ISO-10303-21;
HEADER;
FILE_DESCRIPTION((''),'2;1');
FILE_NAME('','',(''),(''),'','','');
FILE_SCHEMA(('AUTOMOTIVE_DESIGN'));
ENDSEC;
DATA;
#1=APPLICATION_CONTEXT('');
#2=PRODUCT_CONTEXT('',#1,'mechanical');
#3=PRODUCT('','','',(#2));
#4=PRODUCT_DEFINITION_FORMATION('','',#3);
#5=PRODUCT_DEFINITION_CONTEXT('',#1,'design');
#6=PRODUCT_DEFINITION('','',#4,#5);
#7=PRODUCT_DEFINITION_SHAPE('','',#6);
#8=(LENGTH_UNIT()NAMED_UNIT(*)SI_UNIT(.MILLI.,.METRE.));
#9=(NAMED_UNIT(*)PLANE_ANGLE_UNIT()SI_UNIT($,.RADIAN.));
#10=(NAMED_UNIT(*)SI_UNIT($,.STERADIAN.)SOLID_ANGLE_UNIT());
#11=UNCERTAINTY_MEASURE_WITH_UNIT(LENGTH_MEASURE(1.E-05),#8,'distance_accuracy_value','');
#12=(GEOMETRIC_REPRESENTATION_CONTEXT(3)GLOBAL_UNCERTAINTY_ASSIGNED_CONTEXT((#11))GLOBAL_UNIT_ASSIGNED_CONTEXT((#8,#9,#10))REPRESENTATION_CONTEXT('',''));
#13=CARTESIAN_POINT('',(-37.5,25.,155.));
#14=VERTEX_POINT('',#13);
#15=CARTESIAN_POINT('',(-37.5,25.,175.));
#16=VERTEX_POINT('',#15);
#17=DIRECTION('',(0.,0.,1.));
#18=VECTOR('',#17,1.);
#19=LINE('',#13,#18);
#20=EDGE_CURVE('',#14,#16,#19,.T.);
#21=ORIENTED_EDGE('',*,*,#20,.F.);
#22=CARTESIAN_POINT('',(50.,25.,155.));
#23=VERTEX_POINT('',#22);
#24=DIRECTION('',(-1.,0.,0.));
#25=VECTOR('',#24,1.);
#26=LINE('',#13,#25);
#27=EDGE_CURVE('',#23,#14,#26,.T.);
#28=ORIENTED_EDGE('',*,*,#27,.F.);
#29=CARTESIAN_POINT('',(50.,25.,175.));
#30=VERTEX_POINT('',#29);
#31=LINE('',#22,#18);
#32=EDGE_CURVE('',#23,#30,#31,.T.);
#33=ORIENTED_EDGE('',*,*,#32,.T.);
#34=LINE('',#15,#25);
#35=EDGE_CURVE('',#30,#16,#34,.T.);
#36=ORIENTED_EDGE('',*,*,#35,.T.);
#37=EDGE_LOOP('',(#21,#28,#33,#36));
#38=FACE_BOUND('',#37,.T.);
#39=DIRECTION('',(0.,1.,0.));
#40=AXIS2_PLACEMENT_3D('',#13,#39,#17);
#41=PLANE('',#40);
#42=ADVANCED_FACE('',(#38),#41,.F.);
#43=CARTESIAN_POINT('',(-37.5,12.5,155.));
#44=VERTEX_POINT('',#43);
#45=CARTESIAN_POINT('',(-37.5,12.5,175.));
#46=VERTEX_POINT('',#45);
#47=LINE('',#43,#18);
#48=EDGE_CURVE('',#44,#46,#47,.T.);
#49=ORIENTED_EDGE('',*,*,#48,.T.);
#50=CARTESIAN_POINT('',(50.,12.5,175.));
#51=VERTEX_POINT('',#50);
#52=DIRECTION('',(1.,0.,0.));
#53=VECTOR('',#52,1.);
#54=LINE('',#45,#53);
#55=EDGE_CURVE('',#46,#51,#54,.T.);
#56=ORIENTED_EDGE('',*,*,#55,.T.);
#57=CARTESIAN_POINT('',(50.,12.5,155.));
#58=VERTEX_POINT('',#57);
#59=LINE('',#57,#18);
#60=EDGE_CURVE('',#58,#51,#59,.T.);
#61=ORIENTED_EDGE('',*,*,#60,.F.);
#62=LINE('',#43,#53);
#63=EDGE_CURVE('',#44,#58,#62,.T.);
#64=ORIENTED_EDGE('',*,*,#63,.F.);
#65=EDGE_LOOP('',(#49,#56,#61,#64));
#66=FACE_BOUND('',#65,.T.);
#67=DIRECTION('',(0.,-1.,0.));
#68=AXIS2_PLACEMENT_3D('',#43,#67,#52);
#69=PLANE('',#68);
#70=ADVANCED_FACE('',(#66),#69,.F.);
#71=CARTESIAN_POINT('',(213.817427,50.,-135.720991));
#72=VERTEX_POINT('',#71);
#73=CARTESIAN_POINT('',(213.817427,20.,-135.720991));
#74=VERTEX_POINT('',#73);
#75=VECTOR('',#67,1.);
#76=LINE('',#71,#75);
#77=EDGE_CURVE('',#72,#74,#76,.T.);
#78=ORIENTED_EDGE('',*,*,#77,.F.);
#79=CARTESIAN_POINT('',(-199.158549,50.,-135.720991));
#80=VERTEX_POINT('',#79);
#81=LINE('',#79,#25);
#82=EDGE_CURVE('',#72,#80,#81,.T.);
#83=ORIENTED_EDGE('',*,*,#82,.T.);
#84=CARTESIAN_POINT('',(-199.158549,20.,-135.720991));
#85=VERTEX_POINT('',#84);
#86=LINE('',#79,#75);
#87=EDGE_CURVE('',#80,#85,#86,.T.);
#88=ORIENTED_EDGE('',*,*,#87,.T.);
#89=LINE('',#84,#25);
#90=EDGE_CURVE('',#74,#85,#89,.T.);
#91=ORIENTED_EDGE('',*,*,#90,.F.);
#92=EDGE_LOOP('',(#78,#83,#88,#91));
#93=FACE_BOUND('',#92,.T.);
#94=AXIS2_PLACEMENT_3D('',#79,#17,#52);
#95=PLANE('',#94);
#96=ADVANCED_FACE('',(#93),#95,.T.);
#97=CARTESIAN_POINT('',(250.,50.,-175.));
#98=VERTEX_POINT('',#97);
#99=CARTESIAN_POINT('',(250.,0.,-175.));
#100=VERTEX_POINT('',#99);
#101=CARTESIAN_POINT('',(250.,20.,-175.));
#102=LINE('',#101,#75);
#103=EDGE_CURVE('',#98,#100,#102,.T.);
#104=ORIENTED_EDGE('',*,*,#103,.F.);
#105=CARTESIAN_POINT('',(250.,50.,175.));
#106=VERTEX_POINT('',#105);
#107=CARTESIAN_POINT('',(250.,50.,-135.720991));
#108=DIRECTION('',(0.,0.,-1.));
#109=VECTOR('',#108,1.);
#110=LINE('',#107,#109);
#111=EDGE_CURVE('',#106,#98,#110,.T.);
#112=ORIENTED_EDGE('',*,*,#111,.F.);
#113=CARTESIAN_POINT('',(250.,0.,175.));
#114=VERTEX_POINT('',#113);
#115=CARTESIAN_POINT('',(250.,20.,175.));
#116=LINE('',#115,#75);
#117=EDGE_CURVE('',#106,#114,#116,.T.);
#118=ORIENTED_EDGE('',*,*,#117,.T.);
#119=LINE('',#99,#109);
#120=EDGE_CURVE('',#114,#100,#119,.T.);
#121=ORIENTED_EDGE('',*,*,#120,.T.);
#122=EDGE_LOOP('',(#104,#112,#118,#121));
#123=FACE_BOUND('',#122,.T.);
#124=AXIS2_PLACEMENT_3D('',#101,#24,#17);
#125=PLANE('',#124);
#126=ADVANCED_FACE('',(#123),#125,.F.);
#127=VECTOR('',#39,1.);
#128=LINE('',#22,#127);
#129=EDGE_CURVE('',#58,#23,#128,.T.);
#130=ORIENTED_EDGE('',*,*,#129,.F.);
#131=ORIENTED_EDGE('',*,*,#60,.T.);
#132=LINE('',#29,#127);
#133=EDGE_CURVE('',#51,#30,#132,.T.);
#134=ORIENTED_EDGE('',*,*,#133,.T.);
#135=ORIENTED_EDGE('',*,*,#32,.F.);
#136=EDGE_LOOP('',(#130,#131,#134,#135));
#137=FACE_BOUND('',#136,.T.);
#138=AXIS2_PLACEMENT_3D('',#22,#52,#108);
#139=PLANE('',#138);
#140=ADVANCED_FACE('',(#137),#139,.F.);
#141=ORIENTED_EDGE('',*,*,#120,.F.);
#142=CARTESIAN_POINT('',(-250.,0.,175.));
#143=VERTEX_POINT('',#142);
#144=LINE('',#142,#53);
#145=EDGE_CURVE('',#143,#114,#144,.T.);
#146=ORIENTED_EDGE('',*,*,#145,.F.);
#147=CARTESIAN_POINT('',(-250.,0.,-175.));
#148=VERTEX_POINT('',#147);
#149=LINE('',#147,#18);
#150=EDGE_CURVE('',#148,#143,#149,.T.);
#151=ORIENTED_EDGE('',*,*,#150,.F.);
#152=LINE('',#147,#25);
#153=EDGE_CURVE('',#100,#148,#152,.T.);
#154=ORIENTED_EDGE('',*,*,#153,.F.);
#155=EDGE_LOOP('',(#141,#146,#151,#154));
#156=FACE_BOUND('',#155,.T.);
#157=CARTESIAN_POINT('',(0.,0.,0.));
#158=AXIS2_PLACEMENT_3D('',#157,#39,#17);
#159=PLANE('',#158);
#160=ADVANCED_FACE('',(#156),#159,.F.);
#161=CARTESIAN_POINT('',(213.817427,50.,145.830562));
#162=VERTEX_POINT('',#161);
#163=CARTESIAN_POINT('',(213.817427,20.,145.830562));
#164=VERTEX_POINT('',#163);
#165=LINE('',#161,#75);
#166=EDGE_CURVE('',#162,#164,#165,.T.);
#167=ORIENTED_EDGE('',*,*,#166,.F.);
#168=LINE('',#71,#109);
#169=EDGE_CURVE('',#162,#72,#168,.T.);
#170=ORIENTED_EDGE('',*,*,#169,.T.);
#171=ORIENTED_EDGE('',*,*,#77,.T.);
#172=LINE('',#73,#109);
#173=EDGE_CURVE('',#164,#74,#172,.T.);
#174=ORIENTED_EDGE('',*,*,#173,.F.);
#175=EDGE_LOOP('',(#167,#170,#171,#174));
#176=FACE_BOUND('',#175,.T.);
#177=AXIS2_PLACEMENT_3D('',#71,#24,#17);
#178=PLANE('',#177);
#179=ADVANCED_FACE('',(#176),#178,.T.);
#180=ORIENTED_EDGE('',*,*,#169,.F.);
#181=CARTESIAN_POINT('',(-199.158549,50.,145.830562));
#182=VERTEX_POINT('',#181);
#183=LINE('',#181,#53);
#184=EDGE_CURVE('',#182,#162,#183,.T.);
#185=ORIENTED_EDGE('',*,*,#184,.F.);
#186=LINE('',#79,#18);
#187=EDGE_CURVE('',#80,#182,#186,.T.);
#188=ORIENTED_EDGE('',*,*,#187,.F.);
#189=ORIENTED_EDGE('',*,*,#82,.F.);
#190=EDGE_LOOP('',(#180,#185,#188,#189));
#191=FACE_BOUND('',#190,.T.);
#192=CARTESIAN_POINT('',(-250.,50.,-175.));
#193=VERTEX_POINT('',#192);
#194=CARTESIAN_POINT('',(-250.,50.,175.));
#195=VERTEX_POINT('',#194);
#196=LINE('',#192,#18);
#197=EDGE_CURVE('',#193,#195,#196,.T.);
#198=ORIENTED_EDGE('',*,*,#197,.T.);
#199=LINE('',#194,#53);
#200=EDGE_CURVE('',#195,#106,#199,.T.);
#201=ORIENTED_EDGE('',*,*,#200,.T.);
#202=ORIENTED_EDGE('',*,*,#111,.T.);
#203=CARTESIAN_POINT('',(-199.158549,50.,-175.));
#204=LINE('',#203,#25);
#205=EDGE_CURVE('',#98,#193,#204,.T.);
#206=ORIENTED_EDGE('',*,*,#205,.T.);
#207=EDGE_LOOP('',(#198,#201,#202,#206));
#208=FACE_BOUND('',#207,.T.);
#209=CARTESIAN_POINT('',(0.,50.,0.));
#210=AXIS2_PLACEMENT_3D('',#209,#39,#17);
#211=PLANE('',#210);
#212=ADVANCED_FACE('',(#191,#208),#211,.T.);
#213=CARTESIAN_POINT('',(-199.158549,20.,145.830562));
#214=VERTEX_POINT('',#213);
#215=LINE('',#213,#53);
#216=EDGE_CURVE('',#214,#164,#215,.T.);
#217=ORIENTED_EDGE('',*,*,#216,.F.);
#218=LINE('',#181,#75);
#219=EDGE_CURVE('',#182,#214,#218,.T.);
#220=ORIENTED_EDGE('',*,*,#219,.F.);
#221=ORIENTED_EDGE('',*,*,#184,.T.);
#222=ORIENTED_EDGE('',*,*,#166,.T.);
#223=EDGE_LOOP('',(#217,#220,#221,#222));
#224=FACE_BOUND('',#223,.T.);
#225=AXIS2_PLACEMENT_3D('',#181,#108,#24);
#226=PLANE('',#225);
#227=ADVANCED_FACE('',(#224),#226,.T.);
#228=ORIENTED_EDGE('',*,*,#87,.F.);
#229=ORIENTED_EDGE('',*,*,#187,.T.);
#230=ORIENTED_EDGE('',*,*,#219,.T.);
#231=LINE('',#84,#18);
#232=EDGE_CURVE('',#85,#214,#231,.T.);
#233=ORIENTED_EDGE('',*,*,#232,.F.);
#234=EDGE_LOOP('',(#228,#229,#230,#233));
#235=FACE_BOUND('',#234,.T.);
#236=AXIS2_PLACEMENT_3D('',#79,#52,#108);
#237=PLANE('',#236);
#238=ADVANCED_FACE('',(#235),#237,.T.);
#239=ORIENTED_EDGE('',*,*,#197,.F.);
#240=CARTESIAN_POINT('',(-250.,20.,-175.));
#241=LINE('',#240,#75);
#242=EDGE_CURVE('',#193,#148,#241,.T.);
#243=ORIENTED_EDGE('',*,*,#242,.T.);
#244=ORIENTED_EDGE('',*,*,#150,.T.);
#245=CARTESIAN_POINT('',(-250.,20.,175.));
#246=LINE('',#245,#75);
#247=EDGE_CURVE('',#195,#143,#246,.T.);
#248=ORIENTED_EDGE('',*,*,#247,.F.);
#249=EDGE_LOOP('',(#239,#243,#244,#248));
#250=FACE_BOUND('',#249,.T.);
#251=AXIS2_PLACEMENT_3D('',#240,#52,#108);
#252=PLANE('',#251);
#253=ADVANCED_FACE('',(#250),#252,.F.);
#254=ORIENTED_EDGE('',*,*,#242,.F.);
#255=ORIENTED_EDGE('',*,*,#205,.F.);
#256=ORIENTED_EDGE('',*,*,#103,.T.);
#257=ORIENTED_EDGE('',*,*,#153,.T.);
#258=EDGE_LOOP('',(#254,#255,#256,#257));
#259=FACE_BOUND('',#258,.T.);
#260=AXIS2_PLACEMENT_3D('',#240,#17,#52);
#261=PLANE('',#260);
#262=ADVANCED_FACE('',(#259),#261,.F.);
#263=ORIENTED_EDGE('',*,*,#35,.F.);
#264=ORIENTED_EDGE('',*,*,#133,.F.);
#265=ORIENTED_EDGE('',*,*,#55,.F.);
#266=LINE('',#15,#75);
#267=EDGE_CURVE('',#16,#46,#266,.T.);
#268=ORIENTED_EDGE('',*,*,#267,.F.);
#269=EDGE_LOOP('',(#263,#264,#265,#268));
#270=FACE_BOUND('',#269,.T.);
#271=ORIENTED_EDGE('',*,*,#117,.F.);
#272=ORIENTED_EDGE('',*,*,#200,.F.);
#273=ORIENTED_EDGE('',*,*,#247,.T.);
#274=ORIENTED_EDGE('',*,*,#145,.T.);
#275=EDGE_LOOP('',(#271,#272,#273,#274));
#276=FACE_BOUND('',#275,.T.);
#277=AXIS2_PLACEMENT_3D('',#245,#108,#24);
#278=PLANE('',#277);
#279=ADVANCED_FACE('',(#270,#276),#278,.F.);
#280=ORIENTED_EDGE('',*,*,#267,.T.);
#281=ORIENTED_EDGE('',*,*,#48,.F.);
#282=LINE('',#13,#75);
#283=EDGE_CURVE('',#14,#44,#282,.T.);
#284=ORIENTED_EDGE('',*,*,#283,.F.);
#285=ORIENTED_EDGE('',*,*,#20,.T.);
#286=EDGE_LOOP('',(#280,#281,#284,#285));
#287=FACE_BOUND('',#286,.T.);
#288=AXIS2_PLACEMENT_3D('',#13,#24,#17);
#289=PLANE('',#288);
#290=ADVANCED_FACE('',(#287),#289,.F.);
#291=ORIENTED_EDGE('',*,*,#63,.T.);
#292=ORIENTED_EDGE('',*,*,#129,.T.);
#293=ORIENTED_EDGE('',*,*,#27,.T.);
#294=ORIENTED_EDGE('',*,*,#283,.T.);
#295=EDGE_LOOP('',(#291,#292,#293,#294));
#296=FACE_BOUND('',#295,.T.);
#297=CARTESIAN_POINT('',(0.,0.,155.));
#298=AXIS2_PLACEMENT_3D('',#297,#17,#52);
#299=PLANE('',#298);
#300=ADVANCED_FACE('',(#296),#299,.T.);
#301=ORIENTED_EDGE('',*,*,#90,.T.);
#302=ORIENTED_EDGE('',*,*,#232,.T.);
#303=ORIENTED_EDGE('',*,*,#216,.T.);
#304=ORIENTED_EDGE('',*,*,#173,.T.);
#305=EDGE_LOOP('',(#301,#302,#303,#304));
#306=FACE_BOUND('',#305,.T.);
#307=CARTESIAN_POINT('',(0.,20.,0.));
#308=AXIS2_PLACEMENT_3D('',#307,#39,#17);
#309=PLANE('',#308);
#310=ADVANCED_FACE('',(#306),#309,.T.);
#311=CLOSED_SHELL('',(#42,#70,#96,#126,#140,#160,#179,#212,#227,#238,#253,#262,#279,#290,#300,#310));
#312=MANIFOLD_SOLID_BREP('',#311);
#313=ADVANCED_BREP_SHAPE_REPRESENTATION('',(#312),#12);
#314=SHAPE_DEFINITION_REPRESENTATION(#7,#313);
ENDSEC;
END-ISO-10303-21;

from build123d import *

# Parameters (mm, degrees)
SKETCH1_W           = 500
SKETCH1_H           = 350
BOSS_EXTRUDE1_DEPTH = 20
SKETCH2_W           = 412.975976351
SKETCH2_H           = 281.551553033
BOSS_EXTRUDE2_DEPTH = 30
SKETCH3_W           = 87.5
SKETCH3_H           = 12.5
CUT_EXTRUDE2_DEPTH  = 20


with BuildPart() as part:
    # Sketch1 → Boss-Extrude1 (new body)
    with BuildSketch(Plane(origin=(0, 0, 0), x_dir=(1, 0, 0), z_dir=(0, 1, 0))):
        Rectangle(SKETCH1_W, SKETCH1_H)
    extrude(amount=BOSS_EXTRUDE1_DEPTH)

    # Sketch2 → Boss-Extrude2 (add)
    with BuildSketch(Plane(origin=(0, 20, 0), x_dir=(1, 0, 0), z_dir=(0, 1, 0))):
        Polygon((-250, 175), (-199.158549183, 175), (250, 175), (250, 135.720991004), (250, -175), (213.817427168, -175), (-199.158549183, -175), (-250, -175), align=None)
        with Locations((7.329438993, -5.054785513)):
            Rectangle(SKETCH2_W, SKETCH2_H, mode=Mode.SUBTRACT)
    extrude(amount=BOSS_EXTRUDE2_DEPTH)

    # Sketch3 → Cut-Extrude2 (cut)
    with BuildSketch(Plane.XY.offset(175)):
        with Locations((6.25, 18.75)):
            Rectangle(SKETCH3_W, SKETCH3_H)
    extrude(amount=-CUT_EXTRUDE2_DEPTH, mode=Mode.SUBTRACT)


solid = part.part
